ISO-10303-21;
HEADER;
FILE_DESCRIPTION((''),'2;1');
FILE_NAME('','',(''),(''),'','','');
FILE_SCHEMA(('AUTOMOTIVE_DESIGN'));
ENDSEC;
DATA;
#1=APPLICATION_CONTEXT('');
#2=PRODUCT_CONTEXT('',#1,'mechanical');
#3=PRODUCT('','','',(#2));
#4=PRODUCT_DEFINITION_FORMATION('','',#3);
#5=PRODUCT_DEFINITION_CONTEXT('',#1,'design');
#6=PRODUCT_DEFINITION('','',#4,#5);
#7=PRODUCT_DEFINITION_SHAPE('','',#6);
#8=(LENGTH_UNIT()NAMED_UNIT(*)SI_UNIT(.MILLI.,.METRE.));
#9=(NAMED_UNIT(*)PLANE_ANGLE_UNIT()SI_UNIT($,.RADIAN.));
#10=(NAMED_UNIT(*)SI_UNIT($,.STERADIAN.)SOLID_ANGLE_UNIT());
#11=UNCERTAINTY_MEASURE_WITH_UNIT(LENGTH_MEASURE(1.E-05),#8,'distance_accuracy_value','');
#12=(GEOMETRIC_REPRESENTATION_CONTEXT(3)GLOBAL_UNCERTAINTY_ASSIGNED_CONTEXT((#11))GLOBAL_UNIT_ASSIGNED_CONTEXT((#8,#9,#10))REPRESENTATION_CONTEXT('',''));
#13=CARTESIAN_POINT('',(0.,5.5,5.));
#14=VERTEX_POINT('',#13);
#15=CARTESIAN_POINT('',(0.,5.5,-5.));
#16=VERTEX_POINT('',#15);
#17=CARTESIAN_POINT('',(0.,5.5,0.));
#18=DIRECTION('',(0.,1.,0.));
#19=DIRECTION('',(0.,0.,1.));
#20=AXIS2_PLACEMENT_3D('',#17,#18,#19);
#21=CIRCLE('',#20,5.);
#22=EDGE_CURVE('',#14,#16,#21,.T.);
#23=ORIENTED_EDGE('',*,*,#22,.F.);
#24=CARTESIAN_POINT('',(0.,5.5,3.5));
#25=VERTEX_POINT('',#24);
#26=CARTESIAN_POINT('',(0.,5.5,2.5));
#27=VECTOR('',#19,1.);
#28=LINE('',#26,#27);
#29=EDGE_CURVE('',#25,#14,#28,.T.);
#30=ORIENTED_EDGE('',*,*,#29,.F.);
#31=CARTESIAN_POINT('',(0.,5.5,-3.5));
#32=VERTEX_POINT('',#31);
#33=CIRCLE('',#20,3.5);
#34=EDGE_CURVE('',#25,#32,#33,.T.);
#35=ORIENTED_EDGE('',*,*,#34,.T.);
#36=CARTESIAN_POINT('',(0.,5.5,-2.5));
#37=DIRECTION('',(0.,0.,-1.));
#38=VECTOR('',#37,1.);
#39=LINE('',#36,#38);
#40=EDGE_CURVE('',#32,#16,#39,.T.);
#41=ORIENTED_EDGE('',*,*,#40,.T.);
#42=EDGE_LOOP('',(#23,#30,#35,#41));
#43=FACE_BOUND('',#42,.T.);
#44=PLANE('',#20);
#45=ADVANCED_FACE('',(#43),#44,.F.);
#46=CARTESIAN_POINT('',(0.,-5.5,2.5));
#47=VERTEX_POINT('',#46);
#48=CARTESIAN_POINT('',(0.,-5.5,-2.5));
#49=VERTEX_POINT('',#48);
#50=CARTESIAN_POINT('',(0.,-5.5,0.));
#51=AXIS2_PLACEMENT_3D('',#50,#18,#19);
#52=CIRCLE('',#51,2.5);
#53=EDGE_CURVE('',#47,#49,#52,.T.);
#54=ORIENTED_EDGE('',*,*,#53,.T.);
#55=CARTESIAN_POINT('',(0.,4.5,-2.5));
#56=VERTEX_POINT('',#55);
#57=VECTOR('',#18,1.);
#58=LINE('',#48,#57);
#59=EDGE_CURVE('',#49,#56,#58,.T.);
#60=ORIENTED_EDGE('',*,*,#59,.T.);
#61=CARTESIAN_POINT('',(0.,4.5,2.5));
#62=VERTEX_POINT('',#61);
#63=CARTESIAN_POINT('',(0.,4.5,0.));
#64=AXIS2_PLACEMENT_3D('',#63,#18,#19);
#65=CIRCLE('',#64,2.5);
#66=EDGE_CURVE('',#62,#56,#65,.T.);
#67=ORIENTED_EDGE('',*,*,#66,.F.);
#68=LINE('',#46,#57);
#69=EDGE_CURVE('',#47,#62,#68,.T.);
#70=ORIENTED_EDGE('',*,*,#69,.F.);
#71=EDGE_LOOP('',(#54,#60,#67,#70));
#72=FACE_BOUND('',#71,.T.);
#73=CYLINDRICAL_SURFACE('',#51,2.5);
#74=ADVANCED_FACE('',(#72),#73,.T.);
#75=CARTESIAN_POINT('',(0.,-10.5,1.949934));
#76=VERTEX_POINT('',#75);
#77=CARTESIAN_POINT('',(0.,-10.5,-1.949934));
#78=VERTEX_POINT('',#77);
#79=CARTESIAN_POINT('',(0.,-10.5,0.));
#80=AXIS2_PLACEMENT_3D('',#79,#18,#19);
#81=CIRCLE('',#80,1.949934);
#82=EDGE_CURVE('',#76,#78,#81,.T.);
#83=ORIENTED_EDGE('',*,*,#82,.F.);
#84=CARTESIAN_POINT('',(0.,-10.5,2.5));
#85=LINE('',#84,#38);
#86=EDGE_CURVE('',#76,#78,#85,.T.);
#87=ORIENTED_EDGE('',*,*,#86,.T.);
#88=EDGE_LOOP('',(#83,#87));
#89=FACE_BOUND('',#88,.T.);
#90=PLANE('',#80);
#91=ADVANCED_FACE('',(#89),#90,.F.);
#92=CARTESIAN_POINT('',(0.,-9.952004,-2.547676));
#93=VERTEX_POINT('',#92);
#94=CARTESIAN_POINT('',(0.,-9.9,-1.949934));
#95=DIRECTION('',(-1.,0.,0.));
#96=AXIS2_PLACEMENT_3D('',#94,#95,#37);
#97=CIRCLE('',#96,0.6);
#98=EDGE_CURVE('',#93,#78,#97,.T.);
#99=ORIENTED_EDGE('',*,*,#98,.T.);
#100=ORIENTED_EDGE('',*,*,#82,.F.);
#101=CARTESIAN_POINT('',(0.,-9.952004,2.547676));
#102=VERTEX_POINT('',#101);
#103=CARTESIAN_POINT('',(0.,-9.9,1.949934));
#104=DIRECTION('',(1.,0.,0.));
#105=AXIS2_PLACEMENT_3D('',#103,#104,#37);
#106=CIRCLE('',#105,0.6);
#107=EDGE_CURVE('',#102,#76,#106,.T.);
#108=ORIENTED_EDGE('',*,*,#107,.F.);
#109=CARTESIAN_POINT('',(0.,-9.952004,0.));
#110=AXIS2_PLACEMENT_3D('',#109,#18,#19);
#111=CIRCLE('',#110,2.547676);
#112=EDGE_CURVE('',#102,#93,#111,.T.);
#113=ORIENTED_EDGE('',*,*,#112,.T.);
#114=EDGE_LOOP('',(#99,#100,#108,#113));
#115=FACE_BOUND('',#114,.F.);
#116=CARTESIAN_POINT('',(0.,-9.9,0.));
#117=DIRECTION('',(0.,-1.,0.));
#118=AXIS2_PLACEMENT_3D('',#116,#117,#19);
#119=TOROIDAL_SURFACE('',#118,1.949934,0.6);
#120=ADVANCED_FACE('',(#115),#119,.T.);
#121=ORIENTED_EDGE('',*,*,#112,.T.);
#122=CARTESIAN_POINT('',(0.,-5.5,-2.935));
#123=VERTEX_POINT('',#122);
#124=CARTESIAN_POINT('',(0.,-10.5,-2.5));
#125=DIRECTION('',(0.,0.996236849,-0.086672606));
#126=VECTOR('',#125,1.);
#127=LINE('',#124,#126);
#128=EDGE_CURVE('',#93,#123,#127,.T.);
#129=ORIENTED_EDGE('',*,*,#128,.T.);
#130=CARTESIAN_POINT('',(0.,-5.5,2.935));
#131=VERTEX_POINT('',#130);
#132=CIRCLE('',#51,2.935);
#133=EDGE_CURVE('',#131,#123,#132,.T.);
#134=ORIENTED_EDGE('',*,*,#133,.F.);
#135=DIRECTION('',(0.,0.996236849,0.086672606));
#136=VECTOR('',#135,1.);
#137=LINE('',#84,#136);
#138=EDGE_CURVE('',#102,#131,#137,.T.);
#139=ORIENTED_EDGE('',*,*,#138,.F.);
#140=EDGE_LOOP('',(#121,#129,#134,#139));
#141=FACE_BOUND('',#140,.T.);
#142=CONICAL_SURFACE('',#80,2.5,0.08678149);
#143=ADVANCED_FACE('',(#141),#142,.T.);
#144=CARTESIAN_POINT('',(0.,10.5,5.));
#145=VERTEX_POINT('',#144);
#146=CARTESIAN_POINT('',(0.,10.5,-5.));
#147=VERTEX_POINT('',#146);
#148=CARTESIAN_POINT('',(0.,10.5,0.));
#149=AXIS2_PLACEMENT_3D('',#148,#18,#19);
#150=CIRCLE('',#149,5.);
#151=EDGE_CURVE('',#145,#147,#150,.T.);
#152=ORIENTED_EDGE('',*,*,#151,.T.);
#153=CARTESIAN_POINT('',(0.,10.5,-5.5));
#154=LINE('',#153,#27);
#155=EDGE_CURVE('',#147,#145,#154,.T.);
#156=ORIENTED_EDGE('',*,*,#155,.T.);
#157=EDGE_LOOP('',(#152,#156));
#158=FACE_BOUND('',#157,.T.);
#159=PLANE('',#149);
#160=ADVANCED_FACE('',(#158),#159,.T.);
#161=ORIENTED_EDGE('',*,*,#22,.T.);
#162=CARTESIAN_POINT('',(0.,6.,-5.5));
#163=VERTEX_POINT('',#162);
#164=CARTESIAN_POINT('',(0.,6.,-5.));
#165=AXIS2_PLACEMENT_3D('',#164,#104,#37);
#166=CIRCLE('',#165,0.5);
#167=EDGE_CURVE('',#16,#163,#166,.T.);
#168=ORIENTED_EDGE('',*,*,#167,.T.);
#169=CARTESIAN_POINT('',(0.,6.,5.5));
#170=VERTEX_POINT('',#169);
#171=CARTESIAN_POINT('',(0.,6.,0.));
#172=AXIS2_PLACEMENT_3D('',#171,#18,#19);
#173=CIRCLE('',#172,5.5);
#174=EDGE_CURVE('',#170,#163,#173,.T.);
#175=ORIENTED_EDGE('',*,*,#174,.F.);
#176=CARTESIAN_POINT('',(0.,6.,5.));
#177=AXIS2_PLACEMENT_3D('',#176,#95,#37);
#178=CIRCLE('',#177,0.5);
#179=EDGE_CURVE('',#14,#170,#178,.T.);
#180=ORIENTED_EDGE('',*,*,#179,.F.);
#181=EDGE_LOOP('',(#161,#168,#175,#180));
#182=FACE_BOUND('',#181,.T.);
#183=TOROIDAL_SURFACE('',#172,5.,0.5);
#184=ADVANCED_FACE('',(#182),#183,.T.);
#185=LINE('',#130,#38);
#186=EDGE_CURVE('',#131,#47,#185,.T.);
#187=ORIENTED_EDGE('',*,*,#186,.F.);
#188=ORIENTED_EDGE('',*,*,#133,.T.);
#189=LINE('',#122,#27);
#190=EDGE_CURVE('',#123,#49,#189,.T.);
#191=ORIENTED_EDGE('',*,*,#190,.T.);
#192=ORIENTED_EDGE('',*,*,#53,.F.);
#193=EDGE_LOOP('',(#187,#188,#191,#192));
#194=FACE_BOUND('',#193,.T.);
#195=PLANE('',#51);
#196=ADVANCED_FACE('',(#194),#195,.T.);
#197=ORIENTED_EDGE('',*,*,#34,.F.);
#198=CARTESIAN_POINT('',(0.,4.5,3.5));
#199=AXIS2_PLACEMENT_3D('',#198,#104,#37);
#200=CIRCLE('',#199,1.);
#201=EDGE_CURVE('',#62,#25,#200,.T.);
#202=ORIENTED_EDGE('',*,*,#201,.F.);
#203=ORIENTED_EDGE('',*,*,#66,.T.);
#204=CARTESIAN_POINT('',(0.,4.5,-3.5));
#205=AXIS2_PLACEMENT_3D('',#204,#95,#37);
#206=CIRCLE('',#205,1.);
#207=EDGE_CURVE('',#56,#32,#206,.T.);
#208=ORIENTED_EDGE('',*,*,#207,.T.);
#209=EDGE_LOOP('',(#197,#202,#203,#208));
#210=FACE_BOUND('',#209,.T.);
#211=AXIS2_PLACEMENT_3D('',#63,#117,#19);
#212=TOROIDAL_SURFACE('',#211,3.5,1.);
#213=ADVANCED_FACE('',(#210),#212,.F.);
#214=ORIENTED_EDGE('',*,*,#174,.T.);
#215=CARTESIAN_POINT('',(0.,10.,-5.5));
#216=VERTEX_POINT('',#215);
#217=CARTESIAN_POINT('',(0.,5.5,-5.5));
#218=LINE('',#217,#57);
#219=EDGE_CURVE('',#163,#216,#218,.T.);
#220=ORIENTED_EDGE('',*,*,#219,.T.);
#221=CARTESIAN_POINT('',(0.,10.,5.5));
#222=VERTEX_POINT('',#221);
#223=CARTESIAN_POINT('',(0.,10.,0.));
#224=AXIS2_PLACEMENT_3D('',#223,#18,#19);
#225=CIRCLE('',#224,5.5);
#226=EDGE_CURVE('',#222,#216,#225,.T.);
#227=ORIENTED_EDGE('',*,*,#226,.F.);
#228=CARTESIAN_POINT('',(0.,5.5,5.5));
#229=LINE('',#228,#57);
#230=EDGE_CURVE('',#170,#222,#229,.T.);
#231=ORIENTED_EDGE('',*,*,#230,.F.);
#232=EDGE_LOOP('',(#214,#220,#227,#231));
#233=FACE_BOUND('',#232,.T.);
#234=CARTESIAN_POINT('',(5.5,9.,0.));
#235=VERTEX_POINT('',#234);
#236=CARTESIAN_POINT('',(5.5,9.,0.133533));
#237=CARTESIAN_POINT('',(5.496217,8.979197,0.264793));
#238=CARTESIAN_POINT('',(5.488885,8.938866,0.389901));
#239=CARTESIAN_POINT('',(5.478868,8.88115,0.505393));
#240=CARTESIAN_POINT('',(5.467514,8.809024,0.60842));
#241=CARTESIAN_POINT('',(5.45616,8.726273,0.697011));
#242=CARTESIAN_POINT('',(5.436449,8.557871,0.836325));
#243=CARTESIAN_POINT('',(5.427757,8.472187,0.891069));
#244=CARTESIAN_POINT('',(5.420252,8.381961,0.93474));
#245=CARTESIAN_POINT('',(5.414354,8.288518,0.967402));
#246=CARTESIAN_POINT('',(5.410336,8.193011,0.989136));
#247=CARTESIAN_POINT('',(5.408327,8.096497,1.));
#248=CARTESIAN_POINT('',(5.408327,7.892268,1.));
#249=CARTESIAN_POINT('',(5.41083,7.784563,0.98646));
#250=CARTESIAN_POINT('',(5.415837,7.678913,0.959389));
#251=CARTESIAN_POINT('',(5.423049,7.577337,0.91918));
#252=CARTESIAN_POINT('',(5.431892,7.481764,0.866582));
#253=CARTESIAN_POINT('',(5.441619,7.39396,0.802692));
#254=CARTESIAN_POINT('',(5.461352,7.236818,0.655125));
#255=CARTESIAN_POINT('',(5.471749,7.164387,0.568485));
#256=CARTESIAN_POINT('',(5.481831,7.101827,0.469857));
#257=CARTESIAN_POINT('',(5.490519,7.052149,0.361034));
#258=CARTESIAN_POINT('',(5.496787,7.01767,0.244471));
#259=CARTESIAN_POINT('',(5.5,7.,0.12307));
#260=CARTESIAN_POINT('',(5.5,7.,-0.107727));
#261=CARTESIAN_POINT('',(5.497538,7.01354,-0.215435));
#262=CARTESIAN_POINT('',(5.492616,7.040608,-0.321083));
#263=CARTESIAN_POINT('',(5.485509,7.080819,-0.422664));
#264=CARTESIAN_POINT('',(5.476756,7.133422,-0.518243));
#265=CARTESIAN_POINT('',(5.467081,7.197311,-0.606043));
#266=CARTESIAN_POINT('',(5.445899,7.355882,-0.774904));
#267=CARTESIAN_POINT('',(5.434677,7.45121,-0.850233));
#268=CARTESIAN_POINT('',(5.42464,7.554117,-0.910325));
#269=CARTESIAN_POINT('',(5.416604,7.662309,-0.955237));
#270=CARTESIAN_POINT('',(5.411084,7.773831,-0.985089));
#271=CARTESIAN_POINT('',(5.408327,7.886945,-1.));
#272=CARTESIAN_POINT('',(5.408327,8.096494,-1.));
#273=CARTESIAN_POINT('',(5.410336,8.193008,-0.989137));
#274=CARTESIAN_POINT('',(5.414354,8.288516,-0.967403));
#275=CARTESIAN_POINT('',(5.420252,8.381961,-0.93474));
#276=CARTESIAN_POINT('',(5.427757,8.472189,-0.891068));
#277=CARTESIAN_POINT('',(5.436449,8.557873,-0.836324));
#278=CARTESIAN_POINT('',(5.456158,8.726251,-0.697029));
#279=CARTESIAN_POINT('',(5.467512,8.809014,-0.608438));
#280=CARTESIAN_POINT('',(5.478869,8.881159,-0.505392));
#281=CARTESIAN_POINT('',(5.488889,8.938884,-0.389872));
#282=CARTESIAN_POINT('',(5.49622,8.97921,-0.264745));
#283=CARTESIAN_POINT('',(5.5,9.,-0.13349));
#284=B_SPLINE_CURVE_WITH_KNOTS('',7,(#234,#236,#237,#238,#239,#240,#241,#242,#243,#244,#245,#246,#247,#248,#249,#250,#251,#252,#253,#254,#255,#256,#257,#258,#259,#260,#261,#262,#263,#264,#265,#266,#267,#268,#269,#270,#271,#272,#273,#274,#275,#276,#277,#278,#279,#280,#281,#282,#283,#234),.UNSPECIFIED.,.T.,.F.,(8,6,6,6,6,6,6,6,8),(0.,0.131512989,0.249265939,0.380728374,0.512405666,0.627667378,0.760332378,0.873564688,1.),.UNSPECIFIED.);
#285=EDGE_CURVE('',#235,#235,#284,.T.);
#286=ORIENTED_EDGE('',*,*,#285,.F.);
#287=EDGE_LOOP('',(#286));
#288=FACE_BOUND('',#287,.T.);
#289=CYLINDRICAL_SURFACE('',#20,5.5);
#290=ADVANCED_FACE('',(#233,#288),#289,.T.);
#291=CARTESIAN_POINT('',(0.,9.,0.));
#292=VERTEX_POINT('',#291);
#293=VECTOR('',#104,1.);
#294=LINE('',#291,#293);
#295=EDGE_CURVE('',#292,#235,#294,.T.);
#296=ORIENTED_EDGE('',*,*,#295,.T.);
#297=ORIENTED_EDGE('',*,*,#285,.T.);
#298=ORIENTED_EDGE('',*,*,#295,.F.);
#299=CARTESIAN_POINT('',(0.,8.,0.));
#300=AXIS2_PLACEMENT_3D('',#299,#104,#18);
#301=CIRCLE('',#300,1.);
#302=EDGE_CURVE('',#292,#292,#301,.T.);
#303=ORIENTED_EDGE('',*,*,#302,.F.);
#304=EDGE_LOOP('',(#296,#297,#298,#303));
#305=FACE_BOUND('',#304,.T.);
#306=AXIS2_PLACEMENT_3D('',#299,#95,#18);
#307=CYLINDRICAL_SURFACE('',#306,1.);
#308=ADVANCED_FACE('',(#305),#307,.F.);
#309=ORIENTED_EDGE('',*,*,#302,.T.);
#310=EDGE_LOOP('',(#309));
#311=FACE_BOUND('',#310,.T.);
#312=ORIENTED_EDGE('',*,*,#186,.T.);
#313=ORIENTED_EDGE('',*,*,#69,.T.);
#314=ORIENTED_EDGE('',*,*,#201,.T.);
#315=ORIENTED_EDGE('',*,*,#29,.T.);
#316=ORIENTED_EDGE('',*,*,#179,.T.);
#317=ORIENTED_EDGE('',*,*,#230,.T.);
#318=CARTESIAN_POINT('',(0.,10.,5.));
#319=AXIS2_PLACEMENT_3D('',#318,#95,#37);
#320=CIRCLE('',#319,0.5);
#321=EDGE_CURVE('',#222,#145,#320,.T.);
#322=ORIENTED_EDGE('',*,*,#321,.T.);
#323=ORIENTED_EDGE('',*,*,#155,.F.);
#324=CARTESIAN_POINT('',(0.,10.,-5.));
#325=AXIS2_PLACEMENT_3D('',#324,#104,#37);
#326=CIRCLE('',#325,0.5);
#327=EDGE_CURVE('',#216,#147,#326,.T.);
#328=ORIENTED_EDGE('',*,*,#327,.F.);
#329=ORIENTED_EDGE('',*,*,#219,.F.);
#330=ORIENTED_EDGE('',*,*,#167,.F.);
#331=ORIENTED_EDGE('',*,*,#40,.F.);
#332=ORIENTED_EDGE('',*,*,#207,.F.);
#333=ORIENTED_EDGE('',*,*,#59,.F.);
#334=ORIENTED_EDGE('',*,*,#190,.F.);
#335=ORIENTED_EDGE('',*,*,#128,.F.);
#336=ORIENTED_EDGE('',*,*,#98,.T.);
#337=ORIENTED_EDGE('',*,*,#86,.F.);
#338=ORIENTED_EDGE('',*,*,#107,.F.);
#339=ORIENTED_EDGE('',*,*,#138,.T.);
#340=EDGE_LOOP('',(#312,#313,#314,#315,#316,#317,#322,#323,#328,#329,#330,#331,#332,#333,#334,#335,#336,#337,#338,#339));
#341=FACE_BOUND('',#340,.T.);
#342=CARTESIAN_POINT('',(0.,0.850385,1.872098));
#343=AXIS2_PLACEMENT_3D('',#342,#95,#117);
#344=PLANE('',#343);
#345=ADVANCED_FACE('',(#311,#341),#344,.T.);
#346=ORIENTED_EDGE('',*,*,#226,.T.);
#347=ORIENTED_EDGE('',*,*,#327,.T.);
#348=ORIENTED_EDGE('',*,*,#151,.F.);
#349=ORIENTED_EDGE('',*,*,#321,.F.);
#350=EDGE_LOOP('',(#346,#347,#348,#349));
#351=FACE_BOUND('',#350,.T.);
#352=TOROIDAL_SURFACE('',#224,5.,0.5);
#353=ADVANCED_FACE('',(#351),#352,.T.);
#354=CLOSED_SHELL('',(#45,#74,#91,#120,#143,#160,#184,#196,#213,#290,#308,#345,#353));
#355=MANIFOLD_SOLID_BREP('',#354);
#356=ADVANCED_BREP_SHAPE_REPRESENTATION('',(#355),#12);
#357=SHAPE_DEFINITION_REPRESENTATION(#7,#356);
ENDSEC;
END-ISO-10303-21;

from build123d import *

# Parameters (mm, degrees)
REVOLUTION001_ANGLE = 180
FILLET003_R         = 0.6
FILLET004_R         = 1
FILLET005_R         = 0.5
SKETCH001_R         = 1
POCKET_DEPTH        = 0.001
POCKET_DEPTH_BACK   = 5.501


with BuildPart() as part:
    # Sketch002 → Revolution001 (revolve)
    with BuildSketch(Plane.YZ):
        Polygon((-10.5, 2.5), (-5.5, 2.935), (-5.5, 2.5), (5.5, 2.5), (5.5, 5.5), (10.5, 5.5), (10.5, 0), (-10.5, 0), align=None)
    revolve(axis=Axis((0, 0, 0), (0, 1, 0)), revolution_arc=REVOLUTION001_ANGLE)

    # Fillet003
    fillet003_edges = [part.edges().sort_by_distance(p)[0] for p in [
        (2.5, -10.5, 0),
    ]]
    fillet(fillet003_edges, radius=FILLET003_R)

    # Fillet004
    fillet004_edges = [part.edges().sort_by_distance(p)[0] for p in [
        (2.5, 5.5, 0),
    ]]
    fillet(fillet004_edges, radius=FILLET004_R)

    # Fillet005
    fillet005_edges = [part.edges().sort_by_distance(p)[0] for p in [
        (5.5, 5.5, 0),
        (5.5, 10.5, 0),
    ]]
    fillet(fillet005_edges, radius=FILLET005_R)

    # Sketch001 → Pocket (cut, two sides)
    with BuildSketch(Plane.YZ) as pocket_sk:
        with Locations((8, 0)):
            Circle(SKETCH001_R)
    extrude(amount=-POCKET_DEPTH, mode=Mode.SUBTRACT)
    extrude(pocket_sk.sketch, amount=POCKET_DEPTH_BACK, mode=Mode.SUBTRACT)


solid = part.part
